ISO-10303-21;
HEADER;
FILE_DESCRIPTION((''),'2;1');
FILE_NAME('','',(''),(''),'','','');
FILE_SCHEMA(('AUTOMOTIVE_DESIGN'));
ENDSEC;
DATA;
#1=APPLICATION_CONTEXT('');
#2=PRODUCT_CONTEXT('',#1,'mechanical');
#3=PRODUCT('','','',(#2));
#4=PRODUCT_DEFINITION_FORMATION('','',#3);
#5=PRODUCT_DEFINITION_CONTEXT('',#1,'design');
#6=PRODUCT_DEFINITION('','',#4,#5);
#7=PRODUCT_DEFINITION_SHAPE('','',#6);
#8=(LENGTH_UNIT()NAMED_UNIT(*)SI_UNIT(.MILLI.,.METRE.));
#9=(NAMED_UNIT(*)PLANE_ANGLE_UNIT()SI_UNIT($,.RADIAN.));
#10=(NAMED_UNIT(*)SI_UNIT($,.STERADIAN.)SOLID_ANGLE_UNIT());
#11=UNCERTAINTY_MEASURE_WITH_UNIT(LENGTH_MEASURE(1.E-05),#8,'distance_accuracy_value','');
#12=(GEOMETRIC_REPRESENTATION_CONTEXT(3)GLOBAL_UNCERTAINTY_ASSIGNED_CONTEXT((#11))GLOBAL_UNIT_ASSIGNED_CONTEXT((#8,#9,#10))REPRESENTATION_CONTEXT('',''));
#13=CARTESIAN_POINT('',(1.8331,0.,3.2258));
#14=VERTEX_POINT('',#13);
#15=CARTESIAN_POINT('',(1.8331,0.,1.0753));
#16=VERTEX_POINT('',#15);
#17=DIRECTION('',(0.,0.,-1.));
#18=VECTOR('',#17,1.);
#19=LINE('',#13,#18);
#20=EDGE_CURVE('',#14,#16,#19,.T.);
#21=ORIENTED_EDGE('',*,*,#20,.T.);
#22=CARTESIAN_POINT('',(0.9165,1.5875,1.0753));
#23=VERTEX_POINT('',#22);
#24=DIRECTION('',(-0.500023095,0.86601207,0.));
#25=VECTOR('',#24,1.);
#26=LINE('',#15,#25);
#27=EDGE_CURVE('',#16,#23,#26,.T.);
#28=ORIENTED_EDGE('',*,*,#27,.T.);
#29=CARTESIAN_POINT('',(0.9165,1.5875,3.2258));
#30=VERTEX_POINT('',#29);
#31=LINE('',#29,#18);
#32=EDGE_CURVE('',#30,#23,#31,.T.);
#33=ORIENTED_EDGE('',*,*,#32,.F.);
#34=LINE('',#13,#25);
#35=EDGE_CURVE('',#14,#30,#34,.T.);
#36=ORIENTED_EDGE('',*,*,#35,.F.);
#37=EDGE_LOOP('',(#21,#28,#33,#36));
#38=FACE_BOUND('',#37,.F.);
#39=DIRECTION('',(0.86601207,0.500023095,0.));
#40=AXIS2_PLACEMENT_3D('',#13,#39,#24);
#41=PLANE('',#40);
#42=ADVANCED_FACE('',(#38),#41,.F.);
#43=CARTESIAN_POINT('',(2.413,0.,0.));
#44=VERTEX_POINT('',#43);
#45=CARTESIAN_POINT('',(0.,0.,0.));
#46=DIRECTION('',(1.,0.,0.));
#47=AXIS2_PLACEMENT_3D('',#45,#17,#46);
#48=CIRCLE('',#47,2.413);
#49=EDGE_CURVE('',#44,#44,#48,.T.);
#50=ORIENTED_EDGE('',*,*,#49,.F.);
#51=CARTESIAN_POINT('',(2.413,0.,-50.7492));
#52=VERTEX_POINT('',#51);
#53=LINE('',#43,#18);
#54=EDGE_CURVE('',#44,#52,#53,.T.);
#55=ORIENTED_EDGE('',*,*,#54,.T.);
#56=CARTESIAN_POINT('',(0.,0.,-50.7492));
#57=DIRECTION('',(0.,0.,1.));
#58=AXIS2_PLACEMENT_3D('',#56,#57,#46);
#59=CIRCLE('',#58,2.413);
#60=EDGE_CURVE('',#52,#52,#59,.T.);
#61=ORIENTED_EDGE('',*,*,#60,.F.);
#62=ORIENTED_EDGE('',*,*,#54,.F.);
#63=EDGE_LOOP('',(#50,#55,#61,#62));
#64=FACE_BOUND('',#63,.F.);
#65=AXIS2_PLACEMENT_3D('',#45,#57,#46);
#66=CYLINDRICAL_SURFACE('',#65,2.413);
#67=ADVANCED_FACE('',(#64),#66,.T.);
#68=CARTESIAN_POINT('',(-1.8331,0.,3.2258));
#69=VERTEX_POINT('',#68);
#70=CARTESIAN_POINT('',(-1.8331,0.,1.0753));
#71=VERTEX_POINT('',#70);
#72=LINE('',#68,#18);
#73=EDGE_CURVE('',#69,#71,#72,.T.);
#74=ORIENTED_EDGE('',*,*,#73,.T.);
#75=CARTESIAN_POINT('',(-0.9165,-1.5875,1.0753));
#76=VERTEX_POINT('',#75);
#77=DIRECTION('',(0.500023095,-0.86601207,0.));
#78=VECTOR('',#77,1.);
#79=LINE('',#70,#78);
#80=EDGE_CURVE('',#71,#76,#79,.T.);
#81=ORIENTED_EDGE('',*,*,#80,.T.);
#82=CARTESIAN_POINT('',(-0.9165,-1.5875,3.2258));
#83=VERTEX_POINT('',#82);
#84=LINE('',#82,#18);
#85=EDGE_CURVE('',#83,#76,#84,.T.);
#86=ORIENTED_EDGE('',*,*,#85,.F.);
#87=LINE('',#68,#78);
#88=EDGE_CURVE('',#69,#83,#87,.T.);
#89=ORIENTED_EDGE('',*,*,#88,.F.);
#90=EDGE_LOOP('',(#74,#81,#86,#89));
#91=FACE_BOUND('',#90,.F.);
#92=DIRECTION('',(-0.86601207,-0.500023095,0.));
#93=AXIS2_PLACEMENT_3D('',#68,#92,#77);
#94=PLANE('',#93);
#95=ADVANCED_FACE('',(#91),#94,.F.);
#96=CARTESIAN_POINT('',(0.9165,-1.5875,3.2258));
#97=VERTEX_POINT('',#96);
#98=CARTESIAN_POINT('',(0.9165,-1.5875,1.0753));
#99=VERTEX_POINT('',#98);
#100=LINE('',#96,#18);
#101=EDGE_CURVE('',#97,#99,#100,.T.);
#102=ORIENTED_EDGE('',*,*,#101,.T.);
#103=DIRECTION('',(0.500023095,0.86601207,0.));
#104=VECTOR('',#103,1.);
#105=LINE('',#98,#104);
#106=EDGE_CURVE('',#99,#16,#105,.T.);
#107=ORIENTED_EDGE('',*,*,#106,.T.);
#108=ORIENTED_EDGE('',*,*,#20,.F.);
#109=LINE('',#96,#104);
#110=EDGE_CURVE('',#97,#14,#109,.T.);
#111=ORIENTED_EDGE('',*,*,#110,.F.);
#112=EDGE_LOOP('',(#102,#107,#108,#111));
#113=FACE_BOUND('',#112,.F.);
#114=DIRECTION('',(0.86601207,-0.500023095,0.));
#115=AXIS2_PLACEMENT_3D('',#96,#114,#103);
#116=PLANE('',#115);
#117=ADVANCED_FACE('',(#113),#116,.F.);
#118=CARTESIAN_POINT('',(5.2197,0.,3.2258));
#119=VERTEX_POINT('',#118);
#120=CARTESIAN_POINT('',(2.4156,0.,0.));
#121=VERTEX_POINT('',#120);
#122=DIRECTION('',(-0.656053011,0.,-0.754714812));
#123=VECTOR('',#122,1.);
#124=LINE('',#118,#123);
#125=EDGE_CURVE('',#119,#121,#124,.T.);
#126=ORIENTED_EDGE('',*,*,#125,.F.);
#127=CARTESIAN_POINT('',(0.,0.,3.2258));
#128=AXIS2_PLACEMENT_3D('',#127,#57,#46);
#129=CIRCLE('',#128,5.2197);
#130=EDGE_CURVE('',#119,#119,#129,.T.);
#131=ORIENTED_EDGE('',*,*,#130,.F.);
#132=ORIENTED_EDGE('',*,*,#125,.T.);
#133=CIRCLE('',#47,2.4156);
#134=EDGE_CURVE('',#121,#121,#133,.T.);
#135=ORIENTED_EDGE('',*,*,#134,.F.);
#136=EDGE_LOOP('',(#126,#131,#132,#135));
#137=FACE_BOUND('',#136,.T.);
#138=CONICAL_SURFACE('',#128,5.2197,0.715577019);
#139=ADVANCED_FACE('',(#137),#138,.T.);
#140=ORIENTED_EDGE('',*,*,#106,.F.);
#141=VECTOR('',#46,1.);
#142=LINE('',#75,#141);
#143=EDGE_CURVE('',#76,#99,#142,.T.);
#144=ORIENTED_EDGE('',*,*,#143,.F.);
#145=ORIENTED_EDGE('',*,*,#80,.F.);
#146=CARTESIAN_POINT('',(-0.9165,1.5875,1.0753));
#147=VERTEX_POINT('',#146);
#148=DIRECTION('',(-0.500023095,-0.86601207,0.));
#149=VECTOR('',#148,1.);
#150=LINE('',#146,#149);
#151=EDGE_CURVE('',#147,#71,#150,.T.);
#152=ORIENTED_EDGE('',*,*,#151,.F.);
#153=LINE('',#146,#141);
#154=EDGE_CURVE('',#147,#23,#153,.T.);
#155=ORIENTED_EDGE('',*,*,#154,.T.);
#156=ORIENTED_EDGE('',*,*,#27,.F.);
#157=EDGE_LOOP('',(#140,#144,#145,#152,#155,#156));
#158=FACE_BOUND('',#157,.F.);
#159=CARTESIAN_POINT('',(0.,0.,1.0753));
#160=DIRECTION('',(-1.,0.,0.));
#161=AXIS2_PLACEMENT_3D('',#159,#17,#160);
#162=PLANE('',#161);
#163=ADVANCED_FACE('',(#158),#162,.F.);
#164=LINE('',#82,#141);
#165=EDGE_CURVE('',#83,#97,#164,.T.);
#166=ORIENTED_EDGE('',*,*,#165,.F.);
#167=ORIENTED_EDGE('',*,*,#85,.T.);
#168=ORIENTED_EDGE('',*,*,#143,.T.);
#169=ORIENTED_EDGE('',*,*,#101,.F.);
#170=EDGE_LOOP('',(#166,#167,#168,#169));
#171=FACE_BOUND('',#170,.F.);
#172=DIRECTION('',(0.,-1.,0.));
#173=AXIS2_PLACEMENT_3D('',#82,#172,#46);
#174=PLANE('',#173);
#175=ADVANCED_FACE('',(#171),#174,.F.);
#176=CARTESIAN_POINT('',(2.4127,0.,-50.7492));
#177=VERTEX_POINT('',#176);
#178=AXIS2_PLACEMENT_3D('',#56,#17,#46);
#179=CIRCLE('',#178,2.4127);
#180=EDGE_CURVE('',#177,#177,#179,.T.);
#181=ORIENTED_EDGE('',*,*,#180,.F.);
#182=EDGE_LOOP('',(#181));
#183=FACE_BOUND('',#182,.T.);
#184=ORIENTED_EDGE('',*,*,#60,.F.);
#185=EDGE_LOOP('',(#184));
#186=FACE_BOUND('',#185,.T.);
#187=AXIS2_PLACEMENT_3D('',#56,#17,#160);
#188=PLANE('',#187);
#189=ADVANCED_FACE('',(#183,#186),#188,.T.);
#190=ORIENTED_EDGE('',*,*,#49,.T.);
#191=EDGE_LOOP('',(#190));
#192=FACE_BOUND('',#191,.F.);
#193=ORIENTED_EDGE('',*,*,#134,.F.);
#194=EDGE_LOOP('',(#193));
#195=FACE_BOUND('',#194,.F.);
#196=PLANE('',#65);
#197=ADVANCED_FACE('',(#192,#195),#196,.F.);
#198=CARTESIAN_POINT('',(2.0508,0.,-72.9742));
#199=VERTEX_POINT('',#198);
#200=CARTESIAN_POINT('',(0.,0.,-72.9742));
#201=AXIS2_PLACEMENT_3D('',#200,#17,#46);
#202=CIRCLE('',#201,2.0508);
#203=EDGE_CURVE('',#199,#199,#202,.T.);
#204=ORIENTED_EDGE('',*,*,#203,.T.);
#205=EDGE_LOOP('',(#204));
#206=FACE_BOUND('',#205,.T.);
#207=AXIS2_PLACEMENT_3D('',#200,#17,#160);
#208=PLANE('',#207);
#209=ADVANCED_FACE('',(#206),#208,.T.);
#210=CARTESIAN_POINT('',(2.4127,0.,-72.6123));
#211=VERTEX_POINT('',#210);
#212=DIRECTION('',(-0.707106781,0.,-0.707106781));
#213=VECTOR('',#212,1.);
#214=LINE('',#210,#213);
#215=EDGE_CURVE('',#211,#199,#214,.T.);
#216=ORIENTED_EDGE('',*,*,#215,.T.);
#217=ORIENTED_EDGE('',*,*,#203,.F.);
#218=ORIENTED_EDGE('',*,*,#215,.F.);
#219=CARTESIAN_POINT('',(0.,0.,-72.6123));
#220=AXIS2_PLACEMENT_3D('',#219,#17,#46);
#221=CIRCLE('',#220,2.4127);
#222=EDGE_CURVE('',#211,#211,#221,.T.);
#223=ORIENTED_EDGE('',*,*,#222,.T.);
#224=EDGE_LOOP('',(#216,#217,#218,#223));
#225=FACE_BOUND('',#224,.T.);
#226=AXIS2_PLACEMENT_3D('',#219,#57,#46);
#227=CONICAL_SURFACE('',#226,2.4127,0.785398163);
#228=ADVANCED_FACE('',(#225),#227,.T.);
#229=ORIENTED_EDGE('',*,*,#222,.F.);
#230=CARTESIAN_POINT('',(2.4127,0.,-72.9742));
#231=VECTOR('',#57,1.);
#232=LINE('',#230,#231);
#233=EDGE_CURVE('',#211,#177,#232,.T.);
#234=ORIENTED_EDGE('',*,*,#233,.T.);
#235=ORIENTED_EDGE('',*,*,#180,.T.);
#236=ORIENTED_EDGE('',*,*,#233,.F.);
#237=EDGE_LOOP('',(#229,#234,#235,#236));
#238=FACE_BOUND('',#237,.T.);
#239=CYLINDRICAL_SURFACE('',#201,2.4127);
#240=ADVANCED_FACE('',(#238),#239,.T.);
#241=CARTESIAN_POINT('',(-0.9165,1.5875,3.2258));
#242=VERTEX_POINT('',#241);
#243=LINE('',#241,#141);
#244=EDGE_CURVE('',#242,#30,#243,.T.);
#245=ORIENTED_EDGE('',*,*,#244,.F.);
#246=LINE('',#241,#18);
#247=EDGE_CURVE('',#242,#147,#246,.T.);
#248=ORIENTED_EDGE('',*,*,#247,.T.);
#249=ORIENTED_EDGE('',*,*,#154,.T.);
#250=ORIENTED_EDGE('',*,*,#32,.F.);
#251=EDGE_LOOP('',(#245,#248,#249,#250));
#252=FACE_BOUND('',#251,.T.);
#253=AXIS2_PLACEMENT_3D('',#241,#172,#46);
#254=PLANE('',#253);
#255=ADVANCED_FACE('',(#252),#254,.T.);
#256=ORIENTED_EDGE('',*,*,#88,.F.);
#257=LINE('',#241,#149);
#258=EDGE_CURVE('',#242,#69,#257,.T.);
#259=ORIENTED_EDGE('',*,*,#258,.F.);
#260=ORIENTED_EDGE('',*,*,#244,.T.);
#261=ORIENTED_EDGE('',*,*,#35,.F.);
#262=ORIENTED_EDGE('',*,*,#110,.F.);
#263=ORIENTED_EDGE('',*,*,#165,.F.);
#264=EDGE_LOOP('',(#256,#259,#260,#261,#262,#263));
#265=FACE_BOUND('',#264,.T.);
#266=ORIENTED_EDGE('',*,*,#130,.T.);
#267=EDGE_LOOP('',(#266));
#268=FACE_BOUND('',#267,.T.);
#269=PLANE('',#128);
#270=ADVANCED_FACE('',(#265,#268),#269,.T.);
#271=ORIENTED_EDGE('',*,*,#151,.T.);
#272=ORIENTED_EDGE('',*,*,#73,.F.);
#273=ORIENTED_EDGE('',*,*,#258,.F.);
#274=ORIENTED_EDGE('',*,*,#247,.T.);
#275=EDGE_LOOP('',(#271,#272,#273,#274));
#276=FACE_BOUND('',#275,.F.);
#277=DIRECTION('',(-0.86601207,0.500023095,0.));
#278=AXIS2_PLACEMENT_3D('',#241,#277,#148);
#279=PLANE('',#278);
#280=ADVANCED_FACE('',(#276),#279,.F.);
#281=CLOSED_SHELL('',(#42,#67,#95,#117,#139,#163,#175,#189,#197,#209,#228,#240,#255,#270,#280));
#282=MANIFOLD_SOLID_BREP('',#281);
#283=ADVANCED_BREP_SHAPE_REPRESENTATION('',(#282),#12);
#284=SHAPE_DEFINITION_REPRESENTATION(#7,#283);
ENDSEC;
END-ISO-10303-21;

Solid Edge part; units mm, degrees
sketch "Sketch1" plane through (0, 0, 0) normal (0, 0, 1) x (1, 0, 0)
  circle A0 centre (0, 0) radius 5.2197
  dimension "D1" = 10.4394
extrude "Protrusion1" add sketch "Sketch1" along normal blind 3.2258
sketch "Sketch2" plane through (0, 0, 0) normal (0, 0, -1) x (1, 0, 0)
  circle A0 centre (0, 0) radius 2.413
extrude "Protrusion2" add sketch "Sketch2" along normal blind 72.9742
sketch "Sketch3" plane through (0, 0, -72.9742) normal (0, 0, -1) x (1, 0, 0)
  circle A0 centre (0, 0) radius 2.4127
extrude "Cutout1" cut sketch "Sketch3" against normal blind 22.225 flip side to cut
chamfer "Chamfer_1" distance 0.3619 angle 45 1 edges at (-2.4127, 0, -72.9742)
sketch "Sketch4" plane through (0, 0, 3.2258) normal (0, 0, 1) x (1, 0, 0)
  line L0 (-0.9165, 1.5875) -> (0.9165, 1.5875)
  line L1 (1.8331, 0) -> (0.9165, 1.5875)
  line L2 (0.9165, -1.5875) -> (1.8331, 0)
  line L3 (-0.9165, -1.5875) -> (0.9165, -1.5875)
  line L4 (-1.8331, 0) -> (-0.9165, -1.5875)
  line L5 (-0.9165, 1.5875) -> (-1.8331, 0)
  dimension "D1" = 3.175
extrude "Cutout2" cut sketch "Sketch4" against normal blind 2.1505
sketch "Sketch5" plane through (0, 0, 0) normal (0, -1, 0) x (1, 0, 0)
  line L0 (5.2197, 3.2258) -> (2.4156, 0)
  line L1 (2.4156, 0) -> (5.2197, 0)
  line L2 (5.2197, 0) -> (5.2197, 3.2258)
revolve "RevolvedCutout1" cut sketch "Sketch5" angle 360 about axis through (0, 0, 14.0017) along (0, 0, -1)
properties part number "156908"
